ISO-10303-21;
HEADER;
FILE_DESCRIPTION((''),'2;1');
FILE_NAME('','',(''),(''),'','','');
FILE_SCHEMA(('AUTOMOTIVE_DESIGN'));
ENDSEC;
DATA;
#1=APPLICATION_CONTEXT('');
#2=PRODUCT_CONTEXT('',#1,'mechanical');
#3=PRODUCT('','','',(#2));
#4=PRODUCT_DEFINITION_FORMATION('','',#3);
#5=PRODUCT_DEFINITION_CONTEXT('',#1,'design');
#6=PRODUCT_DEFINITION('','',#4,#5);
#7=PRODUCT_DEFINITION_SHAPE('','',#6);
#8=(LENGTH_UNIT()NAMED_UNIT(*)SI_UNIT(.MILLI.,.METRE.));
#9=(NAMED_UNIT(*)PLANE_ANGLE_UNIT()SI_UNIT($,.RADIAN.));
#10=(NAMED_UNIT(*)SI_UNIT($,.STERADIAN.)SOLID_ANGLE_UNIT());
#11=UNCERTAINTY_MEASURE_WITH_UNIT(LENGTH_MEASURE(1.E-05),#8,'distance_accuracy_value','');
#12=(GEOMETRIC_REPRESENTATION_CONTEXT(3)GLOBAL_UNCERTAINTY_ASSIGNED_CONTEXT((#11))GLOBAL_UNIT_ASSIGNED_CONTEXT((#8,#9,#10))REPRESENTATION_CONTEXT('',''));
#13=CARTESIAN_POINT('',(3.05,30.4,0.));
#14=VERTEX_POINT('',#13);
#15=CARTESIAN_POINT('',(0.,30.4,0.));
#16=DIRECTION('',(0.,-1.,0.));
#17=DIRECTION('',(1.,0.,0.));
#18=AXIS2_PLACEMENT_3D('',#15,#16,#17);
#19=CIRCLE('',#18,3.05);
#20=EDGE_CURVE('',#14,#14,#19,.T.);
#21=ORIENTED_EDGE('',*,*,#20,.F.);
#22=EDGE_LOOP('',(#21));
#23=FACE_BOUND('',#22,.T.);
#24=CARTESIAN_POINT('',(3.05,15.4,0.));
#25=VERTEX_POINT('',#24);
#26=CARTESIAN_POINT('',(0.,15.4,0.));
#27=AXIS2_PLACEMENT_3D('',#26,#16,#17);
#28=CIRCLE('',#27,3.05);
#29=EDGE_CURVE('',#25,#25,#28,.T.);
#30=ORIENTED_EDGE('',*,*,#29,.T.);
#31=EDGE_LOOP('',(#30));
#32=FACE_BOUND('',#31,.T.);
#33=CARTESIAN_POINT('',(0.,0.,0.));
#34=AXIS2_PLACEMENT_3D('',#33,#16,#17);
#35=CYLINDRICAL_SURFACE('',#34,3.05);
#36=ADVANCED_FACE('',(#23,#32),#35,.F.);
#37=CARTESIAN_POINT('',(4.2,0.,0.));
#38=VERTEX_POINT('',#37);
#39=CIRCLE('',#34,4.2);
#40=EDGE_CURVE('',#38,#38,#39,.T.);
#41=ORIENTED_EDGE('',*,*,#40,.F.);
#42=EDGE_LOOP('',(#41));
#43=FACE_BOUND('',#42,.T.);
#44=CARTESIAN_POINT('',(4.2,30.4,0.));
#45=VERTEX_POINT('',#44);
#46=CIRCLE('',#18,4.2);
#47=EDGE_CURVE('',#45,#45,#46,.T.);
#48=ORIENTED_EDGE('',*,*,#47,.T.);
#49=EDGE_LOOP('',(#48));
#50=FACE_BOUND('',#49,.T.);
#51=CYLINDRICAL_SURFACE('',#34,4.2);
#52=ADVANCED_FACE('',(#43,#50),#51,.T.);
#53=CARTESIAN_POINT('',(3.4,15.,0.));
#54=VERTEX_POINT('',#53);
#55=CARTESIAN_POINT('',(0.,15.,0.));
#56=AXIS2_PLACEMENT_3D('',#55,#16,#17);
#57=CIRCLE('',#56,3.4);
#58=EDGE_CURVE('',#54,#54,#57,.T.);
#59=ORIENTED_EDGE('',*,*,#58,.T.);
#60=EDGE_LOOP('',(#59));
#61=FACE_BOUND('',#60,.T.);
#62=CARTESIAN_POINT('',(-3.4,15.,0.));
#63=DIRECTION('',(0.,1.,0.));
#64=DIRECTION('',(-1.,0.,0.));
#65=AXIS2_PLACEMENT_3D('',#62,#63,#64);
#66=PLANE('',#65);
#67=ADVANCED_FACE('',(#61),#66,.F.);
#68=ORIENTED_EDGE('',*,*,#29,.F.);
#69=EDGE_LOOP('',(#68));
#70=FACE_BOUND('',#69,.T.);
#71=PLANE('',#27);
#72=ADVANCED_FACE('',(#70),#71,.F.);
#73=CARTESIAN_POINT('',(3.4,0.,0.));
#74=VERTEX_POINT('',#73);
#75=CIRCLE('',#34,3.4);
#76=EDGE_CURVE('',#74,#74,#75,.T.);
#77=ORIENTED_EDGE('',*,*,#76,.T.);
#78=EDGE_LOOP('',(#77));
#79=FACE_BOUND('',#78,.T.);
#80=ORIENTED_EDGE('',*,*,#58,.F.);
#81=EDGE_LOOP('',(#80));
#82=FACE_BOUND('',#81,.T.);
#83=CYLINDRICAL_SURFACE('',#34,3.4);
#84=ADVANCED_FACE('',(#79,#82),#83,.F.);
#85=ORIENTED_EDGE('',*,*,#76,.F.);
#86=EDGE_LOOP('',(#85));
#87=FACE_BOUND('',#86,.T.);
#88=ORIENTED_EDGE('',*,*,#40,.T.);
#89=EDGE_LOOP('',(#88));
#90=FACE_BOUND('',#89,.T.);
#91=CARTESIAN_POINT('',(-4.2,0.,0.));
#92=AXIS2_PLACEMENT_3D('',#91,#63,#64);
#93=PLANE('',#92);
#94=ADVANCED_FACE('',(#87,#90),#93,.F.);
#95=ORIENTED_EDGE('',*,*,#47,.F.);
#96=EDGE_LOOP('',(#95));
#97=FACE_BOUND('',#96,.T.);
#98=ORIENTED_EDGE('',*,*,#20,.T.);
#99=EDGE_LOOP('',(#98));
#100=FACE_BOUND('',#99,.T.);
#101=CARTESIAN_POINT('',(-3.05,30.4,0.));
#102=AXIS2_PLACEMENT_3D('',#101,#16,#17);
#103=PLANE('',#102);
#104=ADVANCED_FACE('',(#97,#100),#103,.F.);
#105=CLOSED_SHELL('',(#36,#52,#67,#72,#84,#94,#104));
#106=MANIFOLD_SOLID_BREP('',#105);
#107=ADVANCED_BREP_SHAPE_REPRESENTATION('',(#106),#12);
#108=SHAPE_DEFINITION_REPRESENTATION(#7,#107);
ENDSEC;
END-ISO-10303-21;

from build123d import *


with BuildPart() as part:
    # Skizze1 → Rotation1 (revolve)
    with BuildSketch(Plane.XY, mode=Mode.PRIVATE) as rotation1_sk:
        Polygon((-3.4, 0), (-3.4, 15), (0, 15), (0, 15.4), (-3.05, 15.4), (-3.05, 30.4), (-4.2, 30.4), (-4.2, 0), align=None)
    revolve(rotation1_sk.sketch.rotate(Axis((0, 0, 0), (0, 1, 0)), 180), axis=Axis((0, 0, 0), (0, 1, 0)))


solid = part.part
